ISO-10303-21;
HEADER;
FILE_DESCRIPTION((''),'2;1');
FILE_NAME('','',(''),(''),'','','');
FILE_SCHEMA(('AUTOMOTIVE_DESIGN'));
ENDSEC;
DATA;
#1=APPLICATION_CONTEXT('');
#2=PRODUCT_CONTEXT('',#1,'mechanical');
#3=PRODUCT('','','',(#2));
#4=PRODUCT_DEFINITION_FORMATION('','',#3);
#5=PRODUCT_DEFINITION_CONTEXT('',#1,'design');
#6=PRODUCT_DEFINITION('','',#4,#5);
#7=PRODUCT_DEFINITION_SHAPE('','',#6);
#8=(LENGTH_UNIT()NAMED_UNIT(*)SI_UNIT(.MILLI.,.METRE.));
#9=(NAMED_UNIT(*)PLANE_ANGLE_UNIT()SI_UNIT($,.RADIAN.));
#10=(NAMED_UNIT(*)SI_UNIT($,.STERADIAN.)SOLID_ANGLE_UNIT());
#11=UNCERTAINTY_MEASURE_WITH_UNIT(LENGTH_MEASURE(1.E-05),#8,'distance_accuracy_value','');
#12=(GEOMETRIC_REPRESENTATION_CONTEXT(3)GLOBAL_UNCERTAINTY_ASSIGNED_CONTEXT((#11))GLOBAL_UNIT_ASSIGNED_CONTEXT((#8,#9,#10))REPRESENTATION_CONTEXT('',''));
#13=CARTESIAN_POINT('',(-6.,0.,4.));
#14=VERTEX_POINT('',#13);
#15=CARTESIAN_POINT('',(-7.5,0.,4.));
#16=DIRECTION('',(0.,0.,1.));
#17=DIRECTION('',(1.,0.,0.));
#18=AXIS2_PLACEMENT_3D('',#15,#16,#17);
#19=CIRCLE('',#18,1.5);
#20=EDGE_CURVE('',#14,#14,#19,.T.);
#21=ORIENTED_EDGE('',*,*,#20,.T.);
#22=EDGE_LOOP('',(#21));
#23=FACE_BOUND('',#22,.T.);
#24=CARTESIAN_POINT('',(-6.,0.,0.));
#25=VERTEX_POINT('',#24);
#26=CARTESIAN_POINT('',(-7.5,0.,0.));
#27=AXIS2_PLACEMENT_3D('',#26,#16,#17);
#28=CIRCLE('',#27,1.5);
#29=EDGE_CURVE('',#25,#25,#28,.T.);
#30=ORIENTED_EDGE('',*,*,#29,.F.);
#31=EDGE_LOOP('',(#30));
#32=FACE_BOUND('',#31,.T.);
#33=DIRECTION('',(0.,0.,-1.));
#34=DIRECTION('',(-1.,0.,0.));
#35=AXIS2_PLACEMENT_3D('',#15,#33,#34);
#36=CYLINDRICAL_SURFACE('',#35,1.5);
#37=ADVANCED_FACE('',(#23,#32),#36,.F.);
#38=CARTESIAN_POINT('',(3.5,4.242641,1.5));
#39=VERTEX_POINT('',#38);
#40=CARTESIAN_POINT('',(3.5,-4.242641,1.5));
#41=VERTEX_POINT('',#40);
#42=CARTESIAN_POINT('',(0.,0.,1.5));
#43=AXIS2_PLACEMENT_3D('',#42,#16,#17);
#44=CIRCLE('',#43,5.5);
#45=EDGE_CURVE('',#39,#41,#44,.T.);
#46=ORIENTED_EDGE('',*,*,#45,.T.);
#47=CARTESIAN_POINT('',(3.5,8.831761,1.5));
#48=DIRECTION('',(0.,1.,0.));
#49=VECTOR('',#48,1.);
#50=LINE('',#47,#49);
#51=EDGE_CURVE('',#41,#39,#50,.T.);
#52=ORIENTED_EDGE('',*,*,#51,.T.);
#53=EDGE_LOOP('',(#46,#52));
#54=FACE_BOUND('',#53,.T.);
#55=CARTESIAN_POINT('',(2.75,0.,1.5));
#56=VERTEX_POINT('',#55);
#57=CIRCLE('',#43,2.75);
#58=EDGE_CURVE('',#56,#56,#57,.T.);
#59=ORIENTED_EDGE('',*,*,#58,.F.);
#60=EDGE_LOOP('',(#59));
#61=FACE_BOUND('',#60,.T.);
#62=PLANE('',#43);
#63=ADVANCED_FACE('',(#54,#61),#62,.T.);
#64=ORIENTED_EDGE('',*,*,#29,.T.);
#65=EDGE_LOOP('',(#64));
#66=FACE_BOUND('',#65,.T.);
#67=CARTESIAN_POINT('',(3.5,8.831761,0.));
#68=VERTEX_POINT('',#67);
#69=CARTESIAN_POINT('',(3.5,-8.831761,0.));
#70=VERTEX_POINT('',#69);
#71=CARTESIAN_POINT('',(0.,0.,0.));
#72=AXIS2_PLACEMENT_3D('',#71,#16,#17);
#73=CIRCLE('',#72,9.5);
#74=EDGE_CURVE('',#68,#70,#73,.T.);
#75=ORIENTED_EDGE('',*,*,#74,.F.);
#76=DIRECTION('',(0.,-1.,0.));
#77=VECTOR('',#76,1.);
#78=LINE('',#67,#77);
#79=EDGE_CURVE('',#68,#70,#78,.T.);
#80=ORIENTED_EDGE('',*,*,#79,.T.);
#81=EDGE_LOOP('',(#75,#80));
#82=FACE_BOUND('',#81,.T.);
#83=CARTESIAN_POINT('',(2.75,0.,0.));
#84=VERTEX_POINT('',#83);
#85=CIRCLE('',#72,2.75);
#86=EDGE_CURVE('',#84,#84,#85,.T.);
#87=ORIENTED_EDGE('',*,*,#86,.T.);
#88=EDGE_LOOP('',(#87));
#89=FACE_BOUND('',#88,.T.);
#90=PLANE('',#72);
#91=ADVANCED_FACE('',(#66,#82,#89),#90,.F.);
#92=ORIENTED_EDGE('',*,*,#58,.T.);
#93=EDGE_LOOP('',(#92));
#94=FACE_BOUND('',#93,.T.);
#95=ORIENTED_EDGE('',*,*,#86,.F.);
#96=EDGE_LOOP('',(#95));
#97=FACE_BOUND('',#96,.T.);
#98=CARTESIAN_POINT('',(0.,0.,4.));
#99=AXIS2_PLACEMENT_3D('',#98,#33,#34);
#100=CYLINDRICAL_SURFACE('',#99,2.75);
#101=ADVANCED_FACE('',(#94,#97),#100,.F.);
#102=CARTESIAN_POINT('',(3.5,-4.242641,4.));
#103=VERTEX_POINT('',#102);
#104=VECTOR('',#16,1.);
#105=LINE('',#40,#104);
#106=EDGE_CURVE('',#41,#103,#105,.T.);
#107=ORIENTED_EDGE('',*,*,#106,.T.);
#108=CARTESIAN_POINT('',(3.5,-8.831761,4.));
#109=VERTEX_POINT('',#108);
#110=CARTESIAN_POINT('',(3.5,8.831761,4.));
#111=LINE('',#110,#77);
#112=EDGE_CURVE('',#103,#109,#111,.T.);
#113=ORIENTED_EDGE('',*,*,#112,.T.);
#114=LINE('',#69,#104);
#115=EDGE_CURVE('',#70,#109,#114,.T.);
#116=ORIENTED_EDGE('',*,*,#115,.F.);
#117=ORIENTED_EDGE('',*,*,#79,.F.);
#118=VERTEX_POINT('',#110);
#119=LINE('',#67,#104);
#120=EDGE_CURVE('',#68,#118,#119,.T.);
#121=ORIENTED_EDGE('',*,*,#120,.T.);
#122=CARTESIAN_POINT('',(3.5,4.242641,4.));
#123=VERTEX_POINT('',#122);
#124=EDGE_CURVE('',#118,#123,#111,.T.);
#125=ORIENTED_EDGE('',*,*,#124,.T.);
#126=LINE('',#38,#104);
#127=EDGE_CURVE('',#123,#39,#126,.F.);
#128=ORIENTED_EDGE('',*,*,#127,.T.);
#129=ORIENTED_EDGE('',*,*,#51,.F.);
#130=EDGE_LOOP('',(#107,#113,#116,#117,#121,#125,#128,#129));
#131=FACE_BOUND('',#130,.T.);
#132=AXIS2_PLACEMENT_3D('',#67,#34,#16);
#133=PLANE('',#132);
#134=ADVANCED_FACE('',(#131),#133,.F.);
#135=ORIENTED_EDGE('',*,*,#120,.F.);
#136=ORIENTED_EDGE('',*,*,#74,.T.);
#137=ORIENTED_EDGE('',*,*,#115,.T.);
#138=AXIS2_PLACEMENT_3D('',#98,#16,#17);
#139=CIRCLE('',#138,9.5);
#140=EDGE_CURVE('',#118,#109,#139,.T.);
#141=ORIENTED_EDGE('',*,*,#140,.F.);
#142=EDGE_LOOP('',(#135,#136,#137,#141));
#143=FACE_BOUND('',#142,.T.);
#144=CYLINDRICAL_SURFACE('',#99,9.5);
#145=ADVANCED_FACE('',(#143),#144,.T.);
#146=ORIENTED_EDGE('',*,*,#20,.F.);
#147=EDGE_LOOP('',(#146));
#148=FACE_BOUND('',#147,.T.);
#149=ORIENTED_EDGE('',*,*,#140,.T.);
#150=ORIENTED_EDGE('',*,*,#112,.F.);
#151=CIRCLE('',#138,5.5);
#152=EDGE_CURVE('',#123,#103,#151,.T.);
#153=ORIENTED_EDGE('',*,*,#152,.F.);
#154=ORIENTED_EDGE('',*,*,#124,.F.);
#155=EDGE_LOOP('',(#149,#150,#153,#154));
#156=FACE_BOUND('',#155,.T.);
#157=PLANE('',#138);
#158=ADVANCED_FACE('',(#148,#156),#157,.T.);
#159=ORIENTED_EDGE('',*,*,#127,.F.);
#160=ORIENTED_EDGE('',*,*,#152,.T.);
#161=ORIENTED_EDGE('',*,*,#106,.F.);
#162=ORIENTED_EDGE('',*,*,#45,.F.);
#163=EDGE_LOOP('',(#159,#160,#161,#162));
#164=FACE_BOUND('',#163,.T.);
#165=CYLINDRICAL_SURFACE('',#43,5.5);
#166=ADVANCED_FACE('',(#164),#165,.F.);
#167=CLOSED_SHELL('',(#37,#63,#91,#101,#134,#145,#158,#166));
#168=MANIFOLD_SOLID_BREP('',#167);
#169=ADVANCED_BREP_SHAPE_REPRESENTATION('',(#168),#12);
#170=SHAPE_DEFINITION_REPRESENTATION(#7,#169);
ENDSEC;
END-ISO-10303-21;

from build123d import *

# Parameters (mm, degrees)
ESQUISSE1_R             = 9.5
ESQUISSE1_R_2           = 2.75
ESQUISSE1_R_3           = 1.5
BOSS_EXTRU_1_DEPTH      = 4
ESQUISSE2_W             = 6
ESQUISSE2_H             = 17.663521732
ENL_V_MAT_EXTRU_1_DEPTH = 15.017845769
ESQUISSE3_R             = 5.5
ENL_V_MAT_EXTRU_2_DEPTH = 2.5


with BuildPart() as part:
    # Esquisse1 → Boss.-Extru.1 (new body)
    with BuildSketch(Plane.XY):
        Circle(ESQUISSE1_R)
        Circle(ESQUISSE1_R_2, mode=Mode.SUBTRACT)
        with Locations((-7.5, 0)):
            Circle(ESQUISSE1_R_3, mode=Mode.SUBTRACT)
    extrude(amount=BOSS_EXTRU_1_DEPTH)

    # Esquisse2 → Enlèv. mat.-Extru.1 (cut, through all)
    with BuildSketch(Plane.XY.offset(4)):
        with Locations((6.5, 0)):
            Rectangle(ESQUISSE2_W, ESQUISSE2_H)
    extrude(amount=-ENL_V_MAT_EXTRU_1_DEPTH, mode=Mode.SUBTRACT)

    # Esquisse3 → Enlèv. mat.-Extru.2 (cut)
    with BuildSketch(Plane.XY.offset(4)):
        Circle(ESQUISSE3_R)
    extrude(amount=-ENL_V_MAT_EXTRU_2_DEPTH, mode=Mode.SUBTRACT)


solid = part.part
